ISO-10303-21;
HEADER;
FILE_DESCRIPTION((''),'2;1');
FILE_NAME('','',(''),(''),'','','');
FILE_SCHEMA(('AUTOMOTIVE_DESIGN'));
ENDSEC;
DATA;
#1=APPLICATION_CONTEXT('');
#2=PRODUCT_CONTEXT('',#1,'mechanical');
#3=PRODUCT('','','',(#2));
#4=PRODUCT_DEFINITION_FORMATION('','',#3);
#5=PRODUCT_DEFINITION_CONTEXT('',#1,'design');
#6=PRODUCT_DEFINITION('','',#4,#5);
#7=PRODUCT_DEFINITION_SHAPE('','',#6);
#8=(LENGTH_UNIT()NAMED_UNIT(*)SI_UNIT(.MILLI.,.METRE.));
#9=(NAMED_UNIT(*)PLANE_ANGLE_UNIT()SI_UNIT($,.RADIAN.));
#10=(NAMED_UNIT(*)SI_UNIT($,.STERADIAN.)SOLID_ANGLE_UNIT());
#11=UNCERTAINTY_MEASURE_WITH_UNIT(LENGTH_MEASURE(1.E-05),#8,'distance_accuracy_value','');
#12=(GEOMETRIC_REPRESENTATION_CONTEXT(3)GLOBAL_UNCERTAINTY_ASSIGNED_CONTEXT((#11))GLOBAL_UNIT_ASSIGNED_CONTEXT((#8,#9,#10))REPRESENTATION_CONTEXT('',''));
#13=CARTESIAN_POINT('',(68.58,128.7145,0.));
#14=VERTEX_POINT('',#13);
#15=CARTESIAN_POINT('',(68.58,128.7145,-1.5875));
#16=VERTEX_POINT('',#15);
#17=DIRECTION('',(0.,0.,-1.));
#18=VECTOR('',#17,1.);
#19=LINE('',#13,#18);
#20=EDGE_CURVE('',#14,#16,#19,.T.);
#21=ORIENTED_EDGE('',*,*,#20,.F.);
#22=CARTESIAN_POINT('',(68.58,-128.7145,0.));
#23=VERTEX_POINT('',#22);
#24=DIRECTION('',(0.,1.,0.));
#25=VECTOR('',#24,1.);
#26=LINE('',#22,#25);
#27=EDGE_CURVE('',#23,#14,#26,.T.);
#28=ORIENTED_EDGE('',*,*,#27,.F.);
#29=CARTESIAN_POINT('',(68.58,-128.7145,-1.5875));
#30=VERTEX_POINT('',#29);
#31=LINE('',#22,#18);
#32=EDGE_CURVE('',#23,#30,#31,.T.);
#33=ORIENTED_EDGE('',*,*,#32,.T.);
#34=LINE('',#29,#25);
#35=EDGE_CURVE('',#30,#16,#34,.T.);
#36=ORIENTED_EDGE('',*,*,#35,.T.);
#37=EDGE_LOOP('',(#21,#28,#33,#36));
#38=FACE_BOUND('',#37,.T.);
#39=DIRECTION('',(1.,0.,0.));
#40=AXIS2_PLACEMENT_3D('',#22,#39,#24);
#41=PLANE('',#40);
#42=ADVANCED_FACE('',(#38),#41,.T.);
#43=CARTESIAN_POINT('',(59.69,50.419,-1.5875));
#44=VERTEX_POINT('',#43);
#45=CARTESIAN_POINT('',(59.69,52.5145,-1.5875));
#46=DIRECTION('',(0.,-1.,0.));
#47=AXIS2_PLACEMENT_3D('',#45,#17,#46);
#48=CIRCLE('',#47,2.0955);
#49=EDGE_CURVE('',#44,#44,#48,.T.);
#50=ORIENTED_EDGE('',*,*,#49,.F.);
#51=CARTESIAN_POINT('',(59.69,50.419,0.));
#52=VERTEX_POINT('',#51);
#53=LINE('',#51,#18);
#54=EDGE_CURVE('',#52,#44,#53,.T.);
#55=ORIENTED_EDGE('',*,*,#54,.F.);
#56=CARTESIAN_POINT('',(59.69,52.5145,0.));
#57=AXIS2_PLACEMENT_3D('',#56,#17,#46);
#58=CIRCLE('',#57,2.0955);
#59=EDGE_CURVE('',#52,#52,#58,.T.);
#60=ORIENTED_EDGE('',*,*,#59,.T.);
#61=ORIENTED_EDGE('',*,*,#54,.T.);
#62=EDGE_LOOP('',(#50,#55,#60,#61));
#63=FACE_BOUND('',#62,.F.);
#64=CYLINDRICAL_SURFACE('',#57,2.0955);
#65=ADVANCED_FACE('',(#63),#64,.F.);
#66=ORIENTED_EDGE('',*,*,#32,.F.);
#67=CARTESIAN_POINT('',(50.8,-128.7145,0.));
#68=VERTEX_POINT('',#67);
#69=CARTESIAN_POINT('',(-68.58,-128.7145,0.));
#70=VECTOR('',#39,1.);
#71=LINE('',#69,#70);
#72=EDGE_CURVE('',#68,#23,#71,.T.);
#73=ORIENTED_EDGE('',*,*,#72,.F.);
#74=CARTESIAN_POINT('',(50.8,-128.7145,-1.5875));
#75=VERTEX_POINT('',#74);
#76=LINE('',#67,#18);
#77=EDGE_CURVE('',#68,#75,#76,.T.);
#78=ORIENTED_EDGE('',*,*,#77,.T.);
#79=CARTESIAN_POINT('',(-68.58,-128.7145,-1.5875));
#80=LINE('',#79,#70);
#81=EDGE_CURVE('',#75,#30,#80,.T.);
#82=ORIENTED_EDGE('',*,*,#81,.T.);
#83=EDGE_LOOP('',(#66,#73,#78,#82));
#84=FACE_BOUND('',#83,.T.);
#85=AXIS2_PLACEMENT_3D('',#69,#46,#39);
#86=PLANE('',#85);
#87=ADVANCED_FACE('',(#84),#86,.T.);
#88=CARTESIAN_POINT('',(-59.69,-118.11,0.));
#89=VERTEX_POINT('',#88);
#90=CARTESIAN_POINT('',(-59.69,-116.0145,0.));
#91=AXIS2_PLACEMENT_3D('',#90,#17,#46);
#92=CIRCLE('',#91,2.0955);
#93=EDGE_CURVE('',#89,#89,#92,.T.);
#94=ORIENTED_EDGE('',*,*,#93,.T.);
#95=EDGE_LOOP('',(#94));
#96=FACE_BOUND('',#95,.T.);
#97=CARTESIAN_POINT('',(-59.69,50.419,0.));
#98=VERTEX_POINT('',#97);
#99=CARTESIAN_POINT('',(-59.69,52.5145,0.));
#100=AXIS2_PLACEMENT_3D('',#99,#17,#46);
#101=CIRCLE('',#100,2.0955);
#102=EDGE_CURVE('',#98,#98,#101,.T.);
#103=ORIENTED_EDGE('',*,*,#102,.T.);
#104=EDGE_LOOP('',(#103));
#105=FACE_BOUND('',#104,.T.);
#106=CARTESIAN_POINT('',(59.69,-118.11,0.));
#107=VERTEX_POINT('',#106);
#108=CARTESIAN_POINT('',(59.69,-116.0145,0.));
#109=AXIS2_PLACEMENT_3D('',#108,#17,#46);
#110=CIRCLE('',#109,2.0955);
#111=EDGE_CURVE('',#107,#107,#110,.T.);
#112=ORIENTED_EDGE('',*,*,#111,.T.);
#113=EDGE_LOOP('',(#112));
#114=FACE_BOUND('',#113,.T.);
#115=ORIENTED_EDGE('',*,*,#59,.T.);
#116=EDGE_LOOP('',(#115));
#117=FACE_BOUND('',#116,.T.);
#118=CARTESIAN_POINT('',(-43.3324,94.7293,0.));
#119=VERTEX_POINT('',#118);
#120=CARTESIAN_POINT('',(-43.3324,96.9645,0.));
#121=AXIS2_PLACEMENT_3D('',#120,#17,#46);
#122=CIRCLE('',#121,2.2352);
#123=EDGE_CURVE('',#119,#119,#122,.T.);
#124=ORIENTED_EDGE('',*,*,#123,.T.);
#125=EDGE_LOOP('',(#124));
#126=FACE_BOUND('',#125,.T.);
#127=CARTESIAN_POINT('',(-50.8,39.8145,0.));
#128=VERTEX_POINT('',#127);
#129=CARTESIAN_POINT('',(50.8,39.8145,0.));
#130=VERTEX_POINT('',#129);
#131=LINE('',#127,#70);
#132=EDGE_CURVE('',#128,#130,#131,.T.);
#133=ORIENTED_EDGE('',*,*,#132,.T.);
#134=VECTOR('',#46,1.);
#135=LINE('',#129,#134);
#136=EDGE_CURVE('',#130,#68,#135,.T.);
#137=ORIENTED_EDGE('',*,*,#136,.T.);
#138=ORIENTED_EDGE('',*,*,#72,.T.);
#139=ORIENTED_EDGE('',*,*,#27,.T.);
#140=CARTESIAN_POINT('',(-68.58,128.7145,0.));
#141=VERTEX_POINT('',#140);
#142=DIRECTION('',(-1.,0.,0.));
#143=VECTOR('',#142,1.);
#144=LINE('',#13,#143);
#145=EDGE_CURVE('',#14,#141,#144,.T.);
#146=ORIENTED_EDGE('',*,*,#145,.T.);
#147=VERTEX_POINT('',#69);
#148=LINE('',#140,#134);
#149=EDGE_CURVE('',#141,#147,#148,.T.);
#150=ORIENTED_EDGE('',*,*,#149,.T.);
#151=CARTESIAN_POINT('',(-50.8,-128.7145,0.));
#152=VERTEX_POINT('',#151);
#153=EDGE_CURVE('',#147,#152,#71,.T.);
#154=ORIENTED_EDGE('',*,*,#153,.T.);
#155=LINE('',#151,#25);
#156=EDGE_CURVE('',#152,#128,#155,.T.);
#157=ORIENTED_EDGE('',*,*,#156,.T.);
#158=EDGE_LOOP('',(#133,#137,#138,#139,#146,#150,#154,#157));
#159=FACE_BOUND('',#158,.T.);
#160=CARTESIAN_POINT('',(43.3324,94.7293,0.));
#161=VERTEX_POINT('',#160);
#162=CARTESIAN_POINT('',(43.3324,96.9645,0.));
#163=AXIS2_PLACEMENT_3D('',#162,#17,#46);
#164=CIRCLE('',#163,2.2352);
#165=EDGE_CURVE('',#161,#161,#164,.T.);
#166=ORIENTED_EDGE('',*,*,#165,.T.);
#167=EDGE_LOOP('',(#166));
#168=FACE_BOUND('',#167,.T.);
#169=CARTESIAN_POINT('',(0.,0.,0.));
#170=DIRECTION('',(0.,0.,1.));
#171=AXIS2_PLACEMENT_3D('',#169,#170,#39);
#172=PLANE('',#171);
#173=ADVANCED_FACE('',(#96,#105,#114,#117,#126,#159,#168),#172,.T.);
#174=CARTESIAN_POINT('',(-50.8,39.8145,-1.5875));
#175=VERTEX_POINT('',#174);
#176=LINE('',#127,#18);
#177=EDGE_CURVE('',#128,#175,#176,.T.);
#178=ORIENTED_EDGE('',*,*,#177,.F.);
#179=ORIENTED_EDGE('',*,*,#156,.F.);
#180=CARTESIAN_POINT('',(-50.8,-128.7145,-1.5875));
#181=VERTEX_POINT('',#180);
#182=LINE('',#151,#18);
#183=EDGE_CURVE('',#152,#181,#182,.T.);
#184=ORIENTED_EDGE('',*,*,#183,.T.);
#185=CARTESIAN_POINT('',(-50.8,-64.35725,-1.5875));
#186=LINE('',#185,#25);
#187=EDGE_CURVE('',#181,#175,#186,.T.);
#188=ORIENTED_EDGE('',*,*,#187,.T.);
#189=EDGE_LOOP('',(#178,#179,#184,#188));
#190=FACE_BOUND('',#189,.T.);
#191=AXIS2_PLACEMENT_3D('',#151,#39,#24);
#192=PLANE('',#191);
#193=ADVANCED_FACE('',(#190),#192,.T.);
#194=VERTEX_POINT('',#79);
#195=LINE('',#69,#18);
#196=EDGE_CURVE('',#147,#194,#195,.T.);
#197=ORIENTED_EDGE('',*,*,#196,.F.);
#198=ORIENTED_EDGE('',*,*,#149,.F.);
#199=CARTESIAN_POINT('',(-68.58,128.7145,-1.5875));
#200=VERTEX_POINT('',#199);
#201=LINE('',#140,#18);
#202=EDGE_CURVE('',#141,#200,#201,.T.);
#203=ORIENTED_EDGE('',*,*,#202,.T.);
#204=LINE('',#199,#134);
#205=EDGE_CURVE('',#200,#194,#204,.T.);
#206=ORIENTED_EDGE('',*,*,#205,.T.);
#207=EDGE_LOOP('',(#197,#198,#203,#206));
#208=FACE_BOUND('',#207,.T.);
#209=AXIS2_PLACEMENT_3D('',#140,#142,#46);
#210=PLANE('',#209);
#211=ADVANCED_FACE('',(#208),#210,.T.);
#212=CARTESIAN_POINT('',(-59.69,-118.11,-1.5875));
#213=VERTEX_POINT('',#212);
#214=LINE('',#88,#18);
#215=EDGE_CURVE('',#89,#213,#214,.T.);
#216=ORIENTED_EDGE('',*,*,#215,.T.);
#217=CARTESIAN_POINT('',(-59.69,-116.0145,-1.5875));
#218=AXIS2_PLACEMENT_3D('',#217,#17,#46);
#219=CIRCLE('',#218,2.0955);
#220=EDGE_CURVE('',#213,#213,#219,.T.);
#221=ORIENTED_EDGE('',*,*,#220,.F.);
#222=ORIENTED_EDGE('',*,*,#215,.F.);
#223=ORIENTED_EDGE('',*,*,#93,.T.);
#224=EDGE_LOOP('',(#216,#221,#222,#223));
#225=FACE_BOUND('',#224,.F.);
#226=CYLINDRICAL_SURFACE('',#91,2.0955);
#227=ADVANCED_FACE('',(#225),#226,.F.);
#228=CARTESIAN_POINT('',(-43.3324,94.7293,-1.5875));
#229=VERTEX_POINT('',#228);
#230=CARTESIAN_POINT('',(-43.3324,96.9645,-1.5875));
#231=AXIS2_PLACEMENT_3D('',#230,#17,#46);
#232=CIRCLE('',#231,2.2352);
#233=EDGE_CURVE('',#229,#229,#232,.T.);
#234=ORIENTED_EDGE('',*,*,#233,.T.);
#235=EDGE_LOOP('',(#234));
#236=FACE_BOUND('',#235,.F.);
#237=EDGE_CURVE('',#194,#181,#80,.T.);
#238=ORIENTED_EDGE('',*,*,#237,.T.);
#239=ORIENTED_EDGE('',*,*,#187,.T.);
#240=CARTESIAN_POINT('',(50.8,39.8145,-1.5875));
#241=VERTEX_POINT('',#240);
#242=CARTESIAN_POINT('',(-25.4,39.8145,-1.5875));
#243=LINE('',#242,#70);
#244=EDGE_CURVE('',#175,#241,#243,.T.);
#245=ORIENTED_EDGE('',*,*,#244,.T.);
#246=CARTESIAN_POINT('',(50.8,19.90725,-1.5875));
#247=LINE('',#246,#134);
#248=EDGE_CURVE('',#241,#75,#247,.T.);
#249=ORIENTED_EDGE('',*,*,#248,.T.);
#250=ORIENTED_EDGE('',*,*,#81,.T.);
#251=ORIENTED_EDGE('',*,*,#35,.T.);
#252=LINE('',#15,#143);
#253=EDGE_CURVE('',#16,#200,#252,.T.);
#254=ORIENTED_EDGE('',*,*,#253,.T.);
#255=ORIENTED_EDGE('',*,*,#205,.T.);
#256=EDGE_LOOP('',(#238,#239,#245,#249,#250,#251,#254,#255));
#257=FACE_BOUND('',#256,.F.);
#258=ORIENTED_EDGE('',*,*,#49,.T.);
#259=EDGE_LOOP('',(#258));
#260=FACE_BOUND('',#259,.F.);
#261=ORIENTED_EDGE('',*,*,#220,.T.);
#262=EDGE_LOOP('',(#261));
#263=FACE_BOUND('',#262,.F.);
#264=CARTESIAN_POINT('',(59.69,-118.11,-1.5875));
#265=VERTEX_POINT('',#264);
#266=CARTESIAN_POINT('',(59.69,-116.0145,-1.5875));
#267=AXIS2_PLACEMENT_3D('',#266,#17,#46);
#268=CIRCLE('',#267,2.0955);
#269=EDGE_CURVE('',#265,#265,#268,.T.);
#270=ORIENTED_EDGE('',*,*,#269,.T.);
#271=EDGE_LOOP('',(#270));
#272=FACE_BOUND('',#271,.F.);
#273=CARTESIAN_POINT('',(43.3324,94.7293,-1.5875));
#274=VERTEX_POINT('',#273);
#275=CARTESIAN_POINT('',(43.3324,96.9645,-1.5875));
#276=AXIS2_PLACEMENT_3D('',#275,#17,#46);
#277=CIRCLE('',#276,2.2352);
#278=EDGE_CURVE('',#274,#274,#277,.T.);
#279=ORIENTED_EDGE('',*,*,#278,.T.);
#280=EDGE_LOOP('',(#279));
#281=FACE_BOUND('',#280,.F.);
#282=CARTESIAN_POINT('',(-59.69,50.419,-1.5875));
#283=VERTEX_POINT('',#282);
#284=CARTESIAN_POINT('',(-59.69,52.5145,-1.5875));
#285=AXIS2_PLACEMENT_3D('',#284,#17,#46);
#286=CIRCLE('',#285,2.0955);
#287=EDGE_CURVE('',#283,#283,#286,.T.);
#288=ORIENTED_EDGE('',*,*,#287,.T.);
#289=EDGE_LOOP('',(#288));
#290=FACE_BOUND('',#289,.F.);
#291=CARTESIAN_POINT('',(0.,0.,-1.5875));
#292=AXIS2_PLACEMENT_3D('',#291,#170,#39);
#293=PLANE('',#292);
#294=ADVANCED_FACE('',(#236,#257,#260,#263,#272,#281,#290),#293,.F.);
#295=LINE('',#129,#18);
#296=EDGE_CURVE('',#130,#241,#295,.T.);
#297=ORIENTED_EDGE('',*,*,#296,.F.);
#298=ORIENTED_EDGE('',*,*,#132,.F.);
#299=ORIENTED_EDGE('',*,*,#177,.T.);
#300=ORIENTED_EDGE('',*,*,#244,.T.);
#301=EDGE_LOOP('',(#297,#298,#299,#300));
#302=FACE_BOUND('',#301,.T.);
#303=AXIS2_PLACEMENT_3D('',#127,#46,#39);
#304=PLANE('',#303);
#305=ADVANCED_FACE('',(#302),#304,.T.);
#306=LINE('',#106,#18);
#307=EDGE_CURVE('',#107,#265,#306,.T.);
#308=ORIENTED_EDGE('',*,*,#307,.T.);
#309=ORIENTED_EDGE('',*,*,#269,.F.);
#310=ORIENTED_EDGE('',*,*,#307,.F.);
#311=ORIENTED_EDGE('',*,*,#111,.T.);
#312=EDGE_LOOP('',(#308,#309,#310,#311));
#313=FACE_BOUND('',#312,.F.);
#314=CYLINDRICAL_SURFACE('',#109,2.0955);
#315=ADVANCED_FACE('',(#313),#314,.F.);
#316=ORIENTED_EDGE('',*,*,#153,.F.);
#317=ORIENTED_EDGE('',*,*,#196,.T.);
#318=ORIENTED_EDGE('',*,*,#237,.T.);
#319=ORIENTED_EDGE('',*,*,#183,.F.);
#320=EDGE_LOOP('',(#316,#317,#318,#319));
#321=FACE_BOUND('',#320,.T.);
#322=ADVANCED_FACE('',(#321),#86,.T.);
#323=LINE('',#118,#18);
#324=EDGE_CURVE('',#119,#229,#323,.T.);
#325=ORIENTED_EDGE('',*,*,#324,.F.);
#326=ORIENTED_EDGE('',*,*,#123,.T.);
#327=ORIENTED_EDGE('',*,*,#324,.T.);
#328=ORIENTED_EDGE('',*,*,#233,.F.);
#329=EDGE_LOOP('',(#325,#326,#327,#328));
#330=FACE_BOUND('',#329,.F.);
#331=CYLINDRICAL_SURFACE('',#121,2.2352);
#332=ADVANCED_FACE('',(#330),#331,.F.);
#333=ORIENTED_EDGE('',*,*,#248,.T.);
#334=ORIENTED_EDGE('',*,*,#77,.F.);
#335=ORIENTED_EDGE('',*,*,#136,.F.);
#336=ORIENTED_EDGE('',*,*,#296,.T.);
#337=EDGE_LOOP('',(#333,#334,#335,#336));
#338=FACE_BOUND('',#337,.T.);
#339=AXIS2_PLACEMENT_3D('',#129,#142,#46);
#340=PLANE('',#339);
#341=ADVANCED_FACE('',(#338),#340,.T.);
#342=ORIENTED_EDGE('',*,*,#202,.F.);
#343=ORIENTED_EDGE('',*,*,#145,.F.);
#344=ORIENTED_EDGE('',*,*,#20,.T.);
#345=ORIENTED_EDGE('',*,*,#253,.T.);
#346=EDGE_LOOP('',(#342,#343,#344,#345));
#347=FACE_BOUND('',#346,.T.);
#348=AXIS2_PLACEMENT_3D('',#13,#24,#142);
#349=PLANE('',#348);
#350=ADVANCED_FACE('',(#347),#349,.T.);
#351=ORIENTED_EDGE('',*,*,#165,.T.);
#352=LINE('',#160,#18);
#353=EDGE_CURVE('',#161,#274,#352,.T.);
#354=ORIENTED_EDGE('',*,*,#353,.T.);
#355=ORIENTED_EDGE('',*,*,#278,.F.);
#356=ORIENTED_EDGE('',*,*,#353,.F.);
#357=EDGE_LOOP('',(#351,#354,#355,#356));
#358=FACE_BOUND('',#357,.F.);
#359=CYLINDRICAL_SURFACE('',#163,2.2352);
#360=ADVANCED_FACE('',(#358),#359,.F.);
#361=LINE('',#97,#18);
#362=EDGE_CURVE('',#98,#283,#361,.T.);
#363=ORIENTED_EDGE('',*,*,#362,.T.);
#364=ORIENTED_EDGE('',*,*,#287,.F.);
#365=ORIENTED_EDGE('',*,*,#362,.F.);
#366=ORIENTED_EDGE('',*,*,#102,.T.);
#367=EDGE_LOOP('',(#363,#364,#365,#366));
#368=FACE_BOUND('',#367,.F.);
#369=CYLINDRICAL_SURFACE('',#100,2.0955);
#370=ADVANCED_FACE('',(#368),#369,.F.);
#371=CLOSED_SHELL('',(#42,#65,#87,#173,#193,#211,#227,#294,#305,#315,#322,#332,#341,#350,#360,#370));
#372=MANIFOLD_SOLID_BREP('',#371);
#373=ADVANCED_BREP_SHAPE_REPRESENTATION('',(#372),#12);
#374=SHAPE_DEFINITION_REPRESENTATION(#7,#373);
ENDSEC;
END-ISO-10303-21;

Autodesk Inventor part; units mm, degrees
ref_plane "YZ Plane" through (0, 0, 0) normal (1, 0, 0) x (0, 1, 0)
ref_plane "XZ Plane" through (0, 0, 0) normal (0, 1, 0) x (-1, 0, 0)
ref_plane "XY Plane" through (0, 0, 0) normal (0, 0, 1) x (1, 0, 0)
sketch "Sketch1" plane through (0, 0, 0) normal (0, 0, 1) x (1, 0, 0)
  line L0 (-68.58, -128.7145) -> (68.58, -128.7145)
  line L1 (68.58, -128.7145) -> (68.58, 128.7145)
  line L2 (68.58, 128.7145) -> (-68.58, 128.7145)
  line L3 (-68.58, 128.7145) -> (-68.58, -128.7145)
  line L4 (-68.58, -128.7145) -> (68.58, 128.7145) construction
  line L5 (68.58, -128.7145) -> (-68.58, 128.7145) construction
  point P0 (0, 0)
  dimension "d0" = 137.16
  dimension "d1" = 257.429
extrude "Extrusion1" add sketch "Sketch1" against normal blind 1.5875
sketch "Sketch2" plane through (0, 0, 0) normal (0, 0, 1) x (1, 0, 0)
  circle A0 centre (-59.69, 52.5145) radius 2.0955
  line L0 (-68.58, 128.7145) -> (-68.58, -128.7145) projected
  line L1 (-68.58, 128.7145) -> (68.58, 128.7145) projected
  circle A1 centre (59.69, 52.5145) radius 2.0955
  line L2 (68.58, -128.7145) -> (68.58, 128.7145) projected
  circle A2 centre (-59.69, -116.0145) radius 2.0955
  circle A3 centre (59.69, -116.0145) radius 2.0955
  line L3 (-68.58, -128.7145) -> (68.58, -128.7145) projected
  point P0 (0, 0)
  dimension "d4" = 8.89
  dimension "d5" = 76.2
  dimension "d6" = 76.2
  dimension "d7" = 8.89
  dimension "d8" = 4.191
  dimension "d9" = 12.7
  dimension "d10" = 8.89
  dimension "d11" = 8.89
  dimension "d12" = 12.7
  dimension "d13" = 4.191
  dimension "d21" = 4.191
  dimension "d22" = 4.191
hole "Hole1" at (-59.69, 52.5145, 0) at (59.69, 52.5145, 0) at (-59.69, -116.0145, 0) at (59.69, -116.0145, 0) direction (0, 0, -1) diameter 4.191 end through all
sketch "Sketch4" plane through (0, 0, 0) normal (0, 0, 1) x (1, 0, 0)
  line L0 (-35.179, -49.0855) -> (-35.179, -99.8855)
  line L1 (-28.321, -49.0855) -> (-28.321, -99.8855)
  line L2 (28.321, -49.0855) -> (28.321, -99.8855)
  line L3 (35.179, -49.0855) -> (35.179, -99.8855)
  line L4 (-68.58, 128.7145) -> (-68.58, -128.7145) projected
  line L5 (68.58, -128.7145) -> (68.58, 128.7145) projected
  line L6 (-68.58, -128.7145) -> (68.58, -128.7145) projected
  arc A0 (-28.321, -49.0855) -> (-35.179, -49.0855) centre (-31.75, -49.0855) ccw
  arc A1 (-35.179, -99.8855) -> (-28.321, -99.8855) centre (-31.75, -99.8855) ccw
  arc A2 (35.179, -49.0855) -> (28.321, -49.0855) centre (31.75, -49.0855) ccw
  arc A3 (28.321, -99.8855) -> (35.179, -99.8855) centre (31.75, -99.8855) ccw
  point P0 (0, 0)
  dimension "d23" = 6.858
  dimension "d24" = 6.858
  dimension "d25" = 33.401
  dimension "d26" = 50.8
  dimension "d27" = 33.401
  dimension "d28" = 28.829
  dimension "d29" = 28.829
  dimension "d30" = 28.829
  dimension "d31" = 28.829
  dimension "d32" = 50.8
  dimension "d33" = 50.8
  dimension "d34" = 50.8
extrude "Extrusion2" cut sketch "Sketch4" against normal blind 3.175
sketch "Sketch5" plane through (0, 0, 0) normal (0, 0, 1) x (1, 0, 0)
  line L0 (-68.58, 128.7145) -> (68.58, 128.7145) projected
  line L1 (68.58, 128.7145) -> (68.58, -128.7145) projected
  point P0 (0, 0)
  point P1 (-43.3324, 96.9645)
  point P2 (43.3324, 96.9645)
  dimension "d37" = 31.75
  dimension "d38" = 86.6648
  dimension "d39" = 31.75
  dimension "d40" = 25.2476
hole "Hole2" at (-43.3324, 96.9645, 0) at (43.3324, 96.9645, 0) direction (0, 0, -1) diameter 4.4704 end through all
sketch "battery_buzzer" plane through (0, 0, 0) normal (0, 0, 1) x (1, 0, 0)
  point P0 (0, 0)
sketch "Sketch10" plane through (0, 0, 0) normal (0, 0, 1) x (1, 0, 0)
  line L0 (-50.8, -128.7145) -> (-50.8, 39.8145)
  line L1 (-50.8, 39.8145) -> (50.8, 39.8145)
  line L2 (50.8, 39.8145) -> (50.8, -128.7145)
  line L3 (68.58, 128.7145) -> (-68.58, 128.7145) projected
  line L4 (-68.58, 128.7145) -> (-68.58, -128.7145) projected
  line L5 (68.58, 128.7145) -> (68.58, -128.7145) projected
  line L6 (-50.8, -128.7145) -> (50.8, -128.7145)
  point P0 (0, 0)
  dimension "d48" = 88.9
  dimension "d49" = 17.78
  dimension "d50" = 17.78
extrude "Extrusion3" cut sketch "Sketch10" against normal blind 3.175
